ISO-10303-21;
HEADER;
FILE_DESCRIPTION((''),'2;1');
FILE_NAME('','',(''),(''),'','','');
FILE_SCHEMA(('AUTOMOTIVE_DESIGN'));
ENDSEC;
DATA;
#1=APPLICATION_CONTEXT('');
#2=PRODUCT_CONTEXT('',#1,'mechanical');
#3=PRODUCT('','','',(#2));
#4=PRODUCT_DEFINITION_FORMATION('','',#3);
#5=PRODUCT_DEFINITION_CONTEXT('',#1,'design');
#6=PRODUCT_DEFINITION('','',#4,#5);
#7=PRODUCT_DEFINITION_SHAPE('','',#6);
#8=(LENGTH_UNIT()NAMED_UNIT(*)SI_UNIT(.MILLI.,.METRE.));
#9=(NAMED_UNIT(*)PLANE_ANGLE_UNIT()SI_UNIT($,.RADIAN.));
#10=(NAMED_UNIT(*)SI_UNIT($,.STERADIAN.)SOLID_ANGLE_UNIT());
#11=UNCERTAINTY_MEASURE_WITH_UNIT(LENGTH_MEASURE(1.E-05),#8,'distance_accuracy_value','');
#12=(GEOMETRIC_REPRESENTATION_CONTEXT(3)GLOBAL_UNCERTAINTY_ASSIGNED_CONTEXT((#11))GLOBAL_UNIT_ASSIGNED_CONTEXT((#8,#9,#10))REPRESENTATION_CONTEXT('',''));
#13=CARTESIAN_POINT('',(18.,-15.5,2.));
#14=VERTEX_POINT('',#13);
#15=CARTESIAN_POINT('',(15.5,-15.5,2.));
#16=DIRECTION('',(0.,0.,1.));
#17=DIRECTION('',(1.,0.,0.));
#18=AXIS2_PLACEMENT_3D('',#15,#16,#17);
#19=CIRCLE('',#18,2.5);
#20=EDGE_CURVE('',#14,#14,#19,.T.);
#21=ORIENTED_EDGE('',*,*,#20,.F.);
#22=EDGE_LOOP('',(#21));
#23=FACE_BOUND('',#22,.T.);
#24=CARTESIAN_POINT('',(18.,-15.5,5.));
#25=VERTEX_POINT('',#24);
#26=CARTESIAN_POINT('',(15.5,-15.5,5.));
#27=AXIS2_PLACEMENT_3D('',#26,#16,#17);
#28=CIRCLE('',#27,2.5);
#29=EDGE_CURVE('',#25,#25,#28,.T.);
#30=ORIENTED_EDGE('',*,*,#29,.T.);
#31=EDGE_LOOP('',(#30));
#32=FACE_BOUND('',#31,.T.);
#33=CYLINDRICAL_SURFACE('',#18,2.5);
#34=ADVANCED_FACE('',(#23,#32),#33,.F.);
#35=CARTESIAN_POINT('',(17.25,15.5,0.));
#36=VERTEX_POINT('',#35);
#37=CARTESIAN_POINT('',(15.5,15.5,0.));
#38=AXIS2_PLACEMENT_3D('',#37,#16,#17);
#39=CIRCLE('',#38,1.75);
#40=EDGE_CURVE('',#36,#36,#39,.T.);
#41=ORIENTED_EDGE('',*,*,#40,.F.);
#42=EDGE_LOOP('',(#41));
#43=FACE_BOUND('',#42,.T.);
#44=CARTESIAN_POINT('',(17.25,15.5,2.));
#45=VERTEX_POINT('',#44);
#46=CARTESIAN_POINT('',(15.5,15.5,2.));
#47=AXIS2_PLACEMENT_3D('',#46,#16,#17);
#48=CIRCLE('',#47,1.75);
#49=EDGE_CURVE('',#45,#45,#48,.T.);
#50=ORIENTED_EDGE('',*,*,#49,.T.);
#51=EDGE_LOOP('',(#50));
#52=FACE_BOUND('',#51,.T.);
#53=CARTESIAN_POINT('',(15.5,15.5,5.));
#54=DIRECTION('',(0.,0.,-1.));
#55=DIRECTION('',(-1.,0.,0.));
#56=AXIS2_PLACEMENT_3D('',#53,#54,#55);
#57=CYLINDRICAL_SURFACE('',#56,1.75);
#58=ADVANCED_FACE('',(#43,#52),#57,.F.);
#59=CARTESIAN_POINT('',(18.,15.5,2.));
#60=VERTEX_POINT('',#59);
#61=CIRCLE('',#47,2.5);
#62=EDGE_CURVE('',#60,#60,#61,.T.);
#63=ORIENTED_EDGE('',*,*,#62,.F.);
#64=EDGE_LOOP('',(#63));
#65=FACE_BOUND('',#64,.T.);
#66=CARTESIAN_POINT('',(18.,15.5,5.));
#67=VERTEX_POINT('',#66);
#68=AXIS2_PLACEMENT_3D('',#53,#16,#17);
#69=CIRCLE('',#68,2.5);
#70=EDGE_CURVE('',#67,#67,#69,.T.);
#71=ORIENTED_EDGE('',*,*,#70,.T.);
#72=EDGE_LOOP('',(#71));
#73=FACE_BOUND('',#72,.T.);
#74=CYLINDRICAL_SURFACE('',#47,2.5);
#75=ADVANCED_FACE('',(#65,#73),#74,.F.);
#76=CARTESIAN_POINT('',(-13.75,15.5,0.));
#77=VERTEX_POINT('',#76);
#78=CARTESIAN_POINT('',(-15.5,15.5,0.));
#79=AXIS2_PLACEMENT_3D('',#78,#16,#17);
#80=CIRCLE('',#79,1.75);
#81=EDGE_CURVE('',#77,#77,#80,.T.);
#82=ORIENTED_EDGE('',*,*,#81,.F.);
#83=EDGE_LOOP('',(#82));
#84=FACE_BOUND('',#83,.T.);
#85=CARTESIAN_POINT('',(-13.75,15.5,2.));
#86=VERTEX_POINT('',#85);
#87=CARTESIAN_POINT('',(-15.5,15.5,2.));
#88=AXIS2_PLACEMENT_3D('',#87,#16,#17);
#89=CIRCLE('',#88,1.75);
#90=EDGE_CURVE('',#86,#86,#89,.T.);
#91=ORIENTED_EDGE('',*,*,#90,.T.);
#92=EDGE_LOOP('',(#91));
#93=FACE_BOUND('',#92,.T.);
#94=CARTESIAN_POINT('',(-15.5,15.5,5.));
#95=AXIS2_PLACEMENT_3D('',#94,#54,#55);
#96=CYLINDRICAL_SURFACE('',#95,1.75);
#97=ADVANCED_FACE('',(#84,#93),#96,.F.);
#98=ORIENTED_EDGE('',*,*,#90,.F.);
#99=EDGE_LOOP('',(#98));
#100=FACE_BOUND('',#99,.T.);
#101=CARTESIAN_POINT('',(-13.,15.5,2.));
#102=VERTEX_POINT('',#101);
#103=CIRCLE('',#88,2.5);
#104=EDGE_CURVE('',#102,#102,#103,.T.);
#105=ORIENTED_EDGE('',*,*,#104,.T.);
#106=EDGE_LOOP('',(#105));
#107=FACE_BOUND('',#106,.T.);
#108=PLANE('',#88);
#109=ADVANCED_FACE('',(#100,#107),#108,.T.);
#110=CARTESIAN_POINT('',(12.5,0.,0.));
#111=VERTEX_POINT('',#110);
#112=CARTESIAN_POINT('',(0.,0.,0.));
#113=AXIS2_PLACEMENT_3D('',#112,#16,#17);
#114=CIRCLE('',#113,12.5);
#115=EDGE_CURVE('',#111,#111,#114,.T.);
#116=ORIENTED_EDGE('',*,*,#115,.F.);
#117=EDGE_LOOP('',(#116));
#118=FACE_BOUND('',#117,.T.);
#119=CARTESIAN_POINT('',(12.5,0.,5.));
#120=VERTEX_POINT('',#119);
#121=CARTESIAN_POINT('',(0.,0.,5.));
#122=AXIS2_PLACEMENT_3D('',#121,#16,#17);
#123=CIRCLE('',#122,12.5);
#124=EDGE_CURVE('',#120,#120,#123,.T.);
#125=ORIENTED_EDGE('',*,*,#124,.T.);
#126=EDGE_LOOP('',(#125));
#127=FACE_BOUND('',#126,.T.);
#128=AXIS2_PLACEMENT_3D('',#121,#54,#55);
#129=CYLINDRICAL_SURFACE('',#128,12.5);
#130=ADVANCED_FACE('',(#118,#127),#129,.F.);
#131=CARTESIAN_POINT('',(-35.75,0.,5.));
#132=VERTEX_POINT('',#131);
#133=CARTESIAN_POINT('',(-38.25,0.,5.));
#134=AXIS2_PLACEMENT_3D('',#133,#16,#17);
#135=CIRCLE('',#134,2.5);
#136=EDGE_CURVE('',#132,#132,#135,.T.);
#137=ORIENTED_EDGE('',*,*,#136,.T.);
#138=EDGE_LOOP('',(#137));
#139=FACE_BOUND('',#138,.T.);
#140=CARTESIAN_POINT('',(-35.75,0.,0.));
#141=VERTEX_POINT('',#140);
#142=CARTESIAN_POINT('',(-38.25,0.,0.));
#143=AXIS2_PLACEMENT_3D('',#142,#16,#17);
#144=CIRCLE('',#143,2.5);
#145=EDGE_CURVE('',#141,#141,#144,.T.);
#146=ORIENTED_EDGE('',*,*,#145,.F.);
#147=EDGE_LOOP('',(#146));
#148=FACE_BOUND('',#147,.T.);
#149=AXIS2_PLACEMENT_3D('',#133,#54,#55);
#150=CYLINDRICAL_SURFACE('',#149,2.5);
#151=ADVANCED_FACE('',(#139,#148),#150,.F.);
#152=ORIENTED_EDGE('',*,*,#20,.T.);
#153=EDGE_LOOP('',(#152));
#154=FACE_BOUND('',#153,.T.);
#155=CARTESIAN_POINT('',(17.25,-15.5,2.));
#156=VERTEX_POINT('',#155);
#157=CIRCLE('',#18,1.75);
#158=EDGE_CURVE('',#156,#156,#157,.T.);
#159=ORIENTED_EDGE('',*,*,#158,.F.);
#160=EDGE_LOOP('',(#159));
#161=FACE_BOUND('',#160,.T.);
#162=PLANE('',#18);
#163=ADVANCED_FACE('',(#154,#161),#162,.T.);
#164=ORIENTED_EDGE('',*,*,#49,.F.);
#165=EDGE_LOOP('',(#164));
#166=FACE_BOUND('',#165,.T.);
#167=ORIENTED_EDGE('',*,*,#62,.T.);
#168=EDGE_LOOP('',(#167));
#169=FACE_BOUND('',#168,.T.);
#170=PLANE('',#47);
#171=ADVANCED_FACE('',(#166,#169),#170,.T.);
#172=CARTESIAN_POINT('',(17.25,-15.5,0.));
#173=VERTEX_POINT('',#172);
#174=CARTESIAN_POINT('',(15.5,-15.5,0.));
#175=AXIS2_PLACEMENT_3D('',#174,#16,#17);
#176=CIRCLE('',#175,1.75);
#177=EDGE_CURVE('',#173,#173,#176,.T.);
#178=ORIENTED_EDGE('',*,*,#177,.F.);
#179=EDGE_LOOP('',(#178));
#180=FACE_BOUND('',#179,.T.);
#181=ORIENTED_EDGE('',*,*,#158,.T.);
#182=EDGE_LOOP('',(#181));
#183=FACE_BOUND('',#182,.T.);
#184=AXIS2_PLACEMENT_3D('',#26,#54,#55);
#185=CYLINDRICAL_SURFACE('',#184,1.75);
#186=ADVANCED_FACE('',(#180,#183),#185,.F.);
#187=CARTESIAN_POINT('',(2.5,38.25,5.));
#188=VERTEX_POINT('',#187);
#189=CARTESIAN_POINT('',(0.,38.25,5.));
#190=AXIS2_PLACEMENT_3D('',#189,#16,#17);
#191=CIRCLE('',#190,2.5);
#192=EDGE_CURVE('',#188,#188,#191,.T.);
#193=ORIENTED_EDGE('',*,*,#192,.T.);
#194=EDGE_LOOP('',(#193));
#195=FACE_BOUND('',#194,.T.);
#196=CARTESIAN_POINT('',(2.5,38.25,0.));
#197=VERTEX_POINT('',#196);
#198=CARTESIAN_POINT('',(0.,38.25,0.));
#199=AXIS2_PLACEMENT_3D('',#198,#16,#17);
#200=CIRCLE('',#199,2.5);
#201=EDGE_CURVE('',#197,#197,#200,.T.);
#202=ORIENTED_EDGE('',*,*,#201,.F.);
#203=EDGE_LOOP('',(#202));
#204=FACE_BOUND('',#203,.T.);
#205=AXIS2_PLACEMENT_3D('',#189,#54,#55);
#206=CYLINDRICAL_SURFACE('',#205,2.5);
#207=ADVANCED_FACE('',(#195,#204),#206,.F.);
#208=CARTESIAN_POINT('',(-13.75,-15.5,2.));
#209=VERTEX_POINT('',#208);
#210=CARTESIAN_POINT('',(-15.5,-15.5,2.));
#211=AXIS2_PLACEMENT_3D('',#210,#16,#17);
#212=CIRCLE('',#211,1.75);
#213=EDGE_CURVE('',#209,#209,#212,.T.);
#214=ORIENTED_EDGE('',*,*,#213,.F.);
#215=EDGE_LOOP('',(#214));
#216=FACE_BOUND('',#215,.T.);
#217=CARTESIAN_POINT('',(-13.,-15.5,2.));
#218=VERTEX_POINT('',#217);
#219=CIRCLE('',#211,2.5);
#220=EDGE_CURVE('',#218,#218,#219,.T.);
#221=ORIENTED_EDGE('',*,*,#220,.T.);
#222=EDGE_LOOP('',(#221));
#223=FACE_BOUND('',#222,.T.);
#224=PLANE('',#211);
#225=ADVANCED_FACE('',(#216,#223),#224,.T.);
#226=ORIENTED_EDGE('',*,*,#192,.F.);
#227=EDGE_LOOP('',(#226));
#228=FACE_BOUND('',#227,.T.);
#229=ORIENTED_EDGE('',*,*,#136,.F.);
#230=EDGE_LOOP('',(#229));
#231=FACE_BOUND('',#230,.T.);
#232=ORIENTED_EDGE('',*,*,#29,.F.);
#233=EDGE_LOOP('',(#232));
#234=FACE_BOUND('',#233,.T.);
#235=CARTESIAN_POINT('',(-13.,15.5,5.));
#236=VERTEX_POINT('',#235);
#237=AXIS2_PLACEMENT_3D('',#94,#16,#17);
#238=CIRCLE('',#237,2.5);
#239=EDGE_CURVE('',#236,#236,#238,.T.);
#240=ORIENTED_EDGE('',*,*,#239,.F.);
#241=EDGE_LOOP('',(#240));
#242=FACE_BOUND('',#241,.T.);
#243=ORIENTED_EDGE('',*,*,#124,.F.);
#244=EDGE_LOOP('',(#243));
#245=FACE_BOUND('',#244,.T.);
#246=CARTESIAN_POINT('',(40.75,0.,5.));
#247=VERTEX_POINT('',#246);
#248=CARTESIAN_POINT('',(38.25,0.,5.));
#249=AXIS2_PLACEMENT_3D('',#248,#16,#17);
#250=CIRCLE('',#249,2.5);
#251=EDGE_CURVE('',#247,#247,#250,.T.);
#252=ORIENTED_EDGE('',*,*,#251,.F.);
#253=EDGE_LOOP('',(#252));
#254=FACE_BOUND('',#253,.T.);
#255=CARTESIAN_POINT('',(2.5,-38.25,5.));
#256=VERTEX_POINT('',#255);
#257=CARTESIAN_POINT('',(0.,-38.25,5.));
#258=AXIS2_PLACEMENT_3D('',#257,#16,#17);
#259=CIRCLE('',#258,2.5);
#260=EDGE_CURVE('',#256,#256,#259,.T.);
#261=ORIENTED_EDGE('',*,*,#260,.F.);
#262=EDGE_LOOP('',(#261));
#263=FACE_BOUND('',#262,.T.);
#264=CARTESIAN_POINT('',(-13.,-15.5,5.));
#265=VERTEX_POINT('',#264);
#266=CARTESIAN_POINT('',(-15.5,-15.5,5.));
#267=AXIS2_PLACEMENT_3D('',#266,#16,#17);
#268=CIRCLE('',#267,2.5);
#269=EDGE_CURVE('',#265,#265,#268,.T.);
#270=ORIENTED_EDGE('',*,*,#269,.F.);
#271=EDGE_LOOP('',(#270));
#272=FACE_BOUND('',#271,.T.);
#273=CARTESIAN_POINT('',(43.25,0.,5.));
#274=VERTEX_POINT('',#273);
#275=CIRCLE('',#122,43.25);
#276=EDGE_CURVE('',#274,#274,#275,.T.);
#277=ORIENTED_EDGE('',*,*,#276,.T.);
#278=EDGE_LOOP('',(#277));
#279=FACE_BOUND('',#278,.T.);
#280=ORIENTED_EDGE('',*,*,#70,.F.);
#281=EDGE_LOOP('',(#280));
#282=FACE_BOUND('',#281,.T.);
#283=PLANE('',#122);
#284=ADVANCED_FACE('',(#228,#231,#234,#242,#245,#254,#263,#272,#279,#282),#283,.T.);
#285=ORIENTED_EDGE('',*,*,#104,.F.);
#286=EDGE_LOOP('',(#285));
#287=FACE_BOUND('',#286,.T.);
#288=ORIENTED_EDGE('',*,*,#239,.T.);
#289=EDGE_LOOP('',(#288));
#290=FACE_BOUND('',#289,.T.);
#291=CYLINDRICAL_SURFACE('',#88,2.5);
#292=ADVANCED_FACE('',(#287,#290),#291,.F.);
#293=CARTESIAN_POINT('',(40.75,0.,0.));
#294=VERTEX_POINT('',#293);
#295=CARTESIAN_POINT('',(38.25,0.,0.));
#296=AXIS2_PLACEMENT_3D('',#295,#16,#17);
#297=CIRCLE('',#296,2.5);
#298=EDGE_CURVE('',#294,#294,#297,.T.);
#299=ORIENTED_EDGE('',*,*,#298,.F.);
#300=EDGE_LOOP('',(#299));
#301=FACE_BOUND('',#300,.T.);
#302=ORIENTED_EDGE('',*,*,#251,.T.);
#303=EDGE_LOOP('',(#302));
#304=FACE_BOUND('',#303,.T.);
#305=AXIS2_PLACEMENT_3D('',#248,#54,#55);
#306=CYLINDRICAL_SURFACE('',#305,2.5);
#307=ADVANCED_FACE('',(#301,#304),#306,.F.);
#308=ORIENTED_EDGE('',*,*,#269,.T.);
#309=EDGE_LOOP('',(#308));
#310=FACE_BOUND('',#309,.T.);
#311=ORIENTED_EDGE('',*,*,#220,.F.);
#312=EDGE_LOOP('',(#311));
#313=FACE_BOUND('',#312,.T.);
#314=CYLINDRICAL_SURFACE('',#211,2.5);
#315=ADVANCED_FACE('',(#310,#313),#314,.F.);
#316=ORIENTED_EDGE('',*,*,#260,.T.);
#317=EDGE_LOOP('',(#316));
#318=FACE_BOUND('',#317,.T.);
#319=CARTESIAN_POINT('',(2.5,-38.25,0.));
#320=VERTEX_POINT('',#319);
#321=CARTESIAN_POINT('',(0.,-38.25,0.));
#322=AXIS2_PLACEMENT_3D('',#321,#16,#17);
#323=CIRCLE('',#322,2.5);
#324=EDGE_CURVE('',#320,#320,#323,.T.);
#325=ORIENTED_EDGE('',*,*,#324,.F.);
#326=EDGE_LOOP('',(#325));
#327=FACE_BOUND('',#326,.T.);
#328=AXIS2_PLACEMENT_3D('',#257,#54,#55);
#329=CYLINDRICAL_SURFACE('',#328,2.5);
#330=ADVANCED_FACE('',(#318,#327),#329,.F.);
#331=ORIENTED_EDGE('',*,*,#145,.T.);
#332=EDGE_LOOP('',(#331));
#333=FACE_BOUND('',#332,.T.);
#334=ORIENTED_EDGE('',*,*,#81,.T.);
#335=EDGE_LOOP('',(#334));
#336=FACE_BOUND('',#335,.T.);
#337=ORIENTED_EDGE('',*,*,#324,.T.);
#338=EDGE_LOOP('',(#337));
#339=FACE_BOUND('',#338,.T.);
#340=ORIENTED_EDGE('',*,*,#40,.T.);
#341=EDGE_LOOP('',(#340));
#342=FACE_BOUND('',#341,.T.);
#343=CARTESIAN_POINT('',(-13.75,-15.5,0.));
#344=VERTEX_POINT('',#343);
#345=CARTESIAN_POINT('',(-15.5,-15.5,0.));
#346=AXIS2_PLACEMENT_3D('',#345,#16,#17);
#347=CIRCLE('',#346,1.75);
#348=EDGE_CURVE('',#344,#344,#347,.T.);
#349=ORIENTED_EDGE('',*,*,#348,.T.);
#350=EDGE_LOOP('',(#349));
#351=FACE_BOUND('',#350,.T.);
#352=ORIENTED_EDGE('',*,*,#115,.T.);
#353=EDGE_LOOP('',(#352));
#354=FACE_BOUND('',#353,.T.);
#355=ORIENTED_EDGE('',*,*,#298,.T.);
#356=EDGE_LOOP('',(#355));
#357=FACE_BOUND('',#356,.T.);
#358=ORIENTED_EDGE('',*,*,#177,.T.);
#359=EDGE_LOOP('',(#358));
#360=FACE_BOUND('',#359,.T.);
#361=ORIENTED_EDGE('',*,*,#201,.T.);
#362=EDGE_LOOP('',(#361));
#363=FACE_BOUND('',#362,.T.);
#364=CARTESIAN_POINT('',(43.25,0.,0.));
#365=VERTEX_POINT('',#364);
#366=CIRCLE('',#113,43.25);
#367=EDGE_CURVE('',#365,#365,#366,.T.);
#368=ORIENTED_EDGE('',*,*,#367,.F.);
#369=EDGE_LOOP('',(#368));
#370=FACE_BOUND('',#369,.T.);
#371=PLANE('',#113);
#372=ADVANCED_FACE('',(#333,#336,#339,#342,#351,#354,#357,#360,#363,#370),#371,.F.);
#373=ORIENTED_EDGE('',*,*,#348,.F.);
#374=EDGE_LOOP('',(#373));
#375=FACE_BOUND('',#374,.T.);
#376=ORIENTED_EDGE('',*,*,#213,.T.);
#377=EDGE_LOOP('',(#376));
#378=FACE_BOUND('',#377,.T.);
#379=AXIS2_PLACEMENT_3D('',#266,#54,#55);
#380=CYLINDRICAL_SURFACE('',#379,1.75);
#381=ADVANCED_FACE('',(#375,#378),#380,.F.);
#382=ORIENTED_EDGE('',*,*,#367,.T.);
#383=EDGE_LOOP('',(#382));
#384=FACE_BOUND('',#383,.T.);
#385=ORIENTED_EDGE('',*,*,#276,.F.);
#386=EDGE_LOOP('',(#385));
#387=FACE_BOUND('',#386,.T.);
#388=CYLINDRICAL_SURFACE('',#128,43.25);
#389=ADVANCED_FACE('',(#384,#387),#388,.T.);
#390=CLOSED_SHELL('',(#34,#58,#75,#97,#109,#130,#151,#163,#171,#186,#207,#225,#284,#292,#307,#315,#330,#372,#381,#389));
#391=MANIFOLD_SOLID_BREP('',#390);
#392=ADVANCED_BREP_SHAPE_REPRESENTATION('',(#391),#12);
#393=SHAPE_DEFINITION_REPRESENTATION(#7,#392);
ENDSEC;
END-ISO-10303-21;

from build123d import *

# Parameters (mm, degrees)
SKETCH1_R           = 43.25
SKETCH1_R_2         = 2.5
SKETCH1_R_3         = 1.75
SKETCH1_R_4         = 12.5
BOSS_EXTRUDE1_DEPTH = 5
SKETCH2_R           = 2.5
CUT_EXTRUDE1_DEPTH  = 3


with BuildPart() as part:
    # Sketch1 → Boss-Extrude1 (new body)
    with BuildSketch(Plane.XY):
        Circle(SKETCH1_R)
        with Locations((0, 38.25)):
            Circle(SKETCH1_R_2, mode=Mode.SUBTRACT)
        with Locations((38.25, 0)):
            Circle(SKETCH1_R_2, mode=Mode.SUBTRACT)
        with Locations((0, -38.25)):
            Circle(SKETCH1_R_2, mode=Mode.SUBTRACT)
        with Locations((-38.25, 0)):
            Circle(SKETCH1_R_2, mode=Mode.SUBTRACT)
        with Locations((-15.5, 15.5)):
            Circle(SKETCH1_R_3, mode=Mode.SUBTRACT)
        with Locations((15.5, 15.5)):
            Circle(SKETCH1_R_3, mode=Mode.SUBTRACT)
        with Locations((15.5, -15.5)):
            Circle(SKETCH1_R_3, mode=Mode.SUBTRACT)
        with Locations((-15.5, -15.5)):
            Circle(SKETCH1_R_3, mode=Mode.SUBTRACT)
        Circle(SKETCH1_R_4, mode=Mode.SUBTRACT)
    extrude(amount=BOSS_EXTRUDE1_DEPTH)

    # Sketch2 → Cut-Extrude1 (cut)
    with BuildSketch(Plane.XY.offset(5)):
        with Locations((-15.5, 15.5)):
            Circle(SKETCH2_R)
        with Locations((15.5, 15.5)):
            Circle(SKETCH2_R)
        with Locations((15.5, -15.5)):
            Circle(SKETCH2_R)
        with Locations((-15.5, -15.5)):
            Circle(SKETCH2_R)
    extrude(amount=-CUT_EXTRUDE1_DEPTH, mode=Mode.SUBTRACT)


solid = part.part
